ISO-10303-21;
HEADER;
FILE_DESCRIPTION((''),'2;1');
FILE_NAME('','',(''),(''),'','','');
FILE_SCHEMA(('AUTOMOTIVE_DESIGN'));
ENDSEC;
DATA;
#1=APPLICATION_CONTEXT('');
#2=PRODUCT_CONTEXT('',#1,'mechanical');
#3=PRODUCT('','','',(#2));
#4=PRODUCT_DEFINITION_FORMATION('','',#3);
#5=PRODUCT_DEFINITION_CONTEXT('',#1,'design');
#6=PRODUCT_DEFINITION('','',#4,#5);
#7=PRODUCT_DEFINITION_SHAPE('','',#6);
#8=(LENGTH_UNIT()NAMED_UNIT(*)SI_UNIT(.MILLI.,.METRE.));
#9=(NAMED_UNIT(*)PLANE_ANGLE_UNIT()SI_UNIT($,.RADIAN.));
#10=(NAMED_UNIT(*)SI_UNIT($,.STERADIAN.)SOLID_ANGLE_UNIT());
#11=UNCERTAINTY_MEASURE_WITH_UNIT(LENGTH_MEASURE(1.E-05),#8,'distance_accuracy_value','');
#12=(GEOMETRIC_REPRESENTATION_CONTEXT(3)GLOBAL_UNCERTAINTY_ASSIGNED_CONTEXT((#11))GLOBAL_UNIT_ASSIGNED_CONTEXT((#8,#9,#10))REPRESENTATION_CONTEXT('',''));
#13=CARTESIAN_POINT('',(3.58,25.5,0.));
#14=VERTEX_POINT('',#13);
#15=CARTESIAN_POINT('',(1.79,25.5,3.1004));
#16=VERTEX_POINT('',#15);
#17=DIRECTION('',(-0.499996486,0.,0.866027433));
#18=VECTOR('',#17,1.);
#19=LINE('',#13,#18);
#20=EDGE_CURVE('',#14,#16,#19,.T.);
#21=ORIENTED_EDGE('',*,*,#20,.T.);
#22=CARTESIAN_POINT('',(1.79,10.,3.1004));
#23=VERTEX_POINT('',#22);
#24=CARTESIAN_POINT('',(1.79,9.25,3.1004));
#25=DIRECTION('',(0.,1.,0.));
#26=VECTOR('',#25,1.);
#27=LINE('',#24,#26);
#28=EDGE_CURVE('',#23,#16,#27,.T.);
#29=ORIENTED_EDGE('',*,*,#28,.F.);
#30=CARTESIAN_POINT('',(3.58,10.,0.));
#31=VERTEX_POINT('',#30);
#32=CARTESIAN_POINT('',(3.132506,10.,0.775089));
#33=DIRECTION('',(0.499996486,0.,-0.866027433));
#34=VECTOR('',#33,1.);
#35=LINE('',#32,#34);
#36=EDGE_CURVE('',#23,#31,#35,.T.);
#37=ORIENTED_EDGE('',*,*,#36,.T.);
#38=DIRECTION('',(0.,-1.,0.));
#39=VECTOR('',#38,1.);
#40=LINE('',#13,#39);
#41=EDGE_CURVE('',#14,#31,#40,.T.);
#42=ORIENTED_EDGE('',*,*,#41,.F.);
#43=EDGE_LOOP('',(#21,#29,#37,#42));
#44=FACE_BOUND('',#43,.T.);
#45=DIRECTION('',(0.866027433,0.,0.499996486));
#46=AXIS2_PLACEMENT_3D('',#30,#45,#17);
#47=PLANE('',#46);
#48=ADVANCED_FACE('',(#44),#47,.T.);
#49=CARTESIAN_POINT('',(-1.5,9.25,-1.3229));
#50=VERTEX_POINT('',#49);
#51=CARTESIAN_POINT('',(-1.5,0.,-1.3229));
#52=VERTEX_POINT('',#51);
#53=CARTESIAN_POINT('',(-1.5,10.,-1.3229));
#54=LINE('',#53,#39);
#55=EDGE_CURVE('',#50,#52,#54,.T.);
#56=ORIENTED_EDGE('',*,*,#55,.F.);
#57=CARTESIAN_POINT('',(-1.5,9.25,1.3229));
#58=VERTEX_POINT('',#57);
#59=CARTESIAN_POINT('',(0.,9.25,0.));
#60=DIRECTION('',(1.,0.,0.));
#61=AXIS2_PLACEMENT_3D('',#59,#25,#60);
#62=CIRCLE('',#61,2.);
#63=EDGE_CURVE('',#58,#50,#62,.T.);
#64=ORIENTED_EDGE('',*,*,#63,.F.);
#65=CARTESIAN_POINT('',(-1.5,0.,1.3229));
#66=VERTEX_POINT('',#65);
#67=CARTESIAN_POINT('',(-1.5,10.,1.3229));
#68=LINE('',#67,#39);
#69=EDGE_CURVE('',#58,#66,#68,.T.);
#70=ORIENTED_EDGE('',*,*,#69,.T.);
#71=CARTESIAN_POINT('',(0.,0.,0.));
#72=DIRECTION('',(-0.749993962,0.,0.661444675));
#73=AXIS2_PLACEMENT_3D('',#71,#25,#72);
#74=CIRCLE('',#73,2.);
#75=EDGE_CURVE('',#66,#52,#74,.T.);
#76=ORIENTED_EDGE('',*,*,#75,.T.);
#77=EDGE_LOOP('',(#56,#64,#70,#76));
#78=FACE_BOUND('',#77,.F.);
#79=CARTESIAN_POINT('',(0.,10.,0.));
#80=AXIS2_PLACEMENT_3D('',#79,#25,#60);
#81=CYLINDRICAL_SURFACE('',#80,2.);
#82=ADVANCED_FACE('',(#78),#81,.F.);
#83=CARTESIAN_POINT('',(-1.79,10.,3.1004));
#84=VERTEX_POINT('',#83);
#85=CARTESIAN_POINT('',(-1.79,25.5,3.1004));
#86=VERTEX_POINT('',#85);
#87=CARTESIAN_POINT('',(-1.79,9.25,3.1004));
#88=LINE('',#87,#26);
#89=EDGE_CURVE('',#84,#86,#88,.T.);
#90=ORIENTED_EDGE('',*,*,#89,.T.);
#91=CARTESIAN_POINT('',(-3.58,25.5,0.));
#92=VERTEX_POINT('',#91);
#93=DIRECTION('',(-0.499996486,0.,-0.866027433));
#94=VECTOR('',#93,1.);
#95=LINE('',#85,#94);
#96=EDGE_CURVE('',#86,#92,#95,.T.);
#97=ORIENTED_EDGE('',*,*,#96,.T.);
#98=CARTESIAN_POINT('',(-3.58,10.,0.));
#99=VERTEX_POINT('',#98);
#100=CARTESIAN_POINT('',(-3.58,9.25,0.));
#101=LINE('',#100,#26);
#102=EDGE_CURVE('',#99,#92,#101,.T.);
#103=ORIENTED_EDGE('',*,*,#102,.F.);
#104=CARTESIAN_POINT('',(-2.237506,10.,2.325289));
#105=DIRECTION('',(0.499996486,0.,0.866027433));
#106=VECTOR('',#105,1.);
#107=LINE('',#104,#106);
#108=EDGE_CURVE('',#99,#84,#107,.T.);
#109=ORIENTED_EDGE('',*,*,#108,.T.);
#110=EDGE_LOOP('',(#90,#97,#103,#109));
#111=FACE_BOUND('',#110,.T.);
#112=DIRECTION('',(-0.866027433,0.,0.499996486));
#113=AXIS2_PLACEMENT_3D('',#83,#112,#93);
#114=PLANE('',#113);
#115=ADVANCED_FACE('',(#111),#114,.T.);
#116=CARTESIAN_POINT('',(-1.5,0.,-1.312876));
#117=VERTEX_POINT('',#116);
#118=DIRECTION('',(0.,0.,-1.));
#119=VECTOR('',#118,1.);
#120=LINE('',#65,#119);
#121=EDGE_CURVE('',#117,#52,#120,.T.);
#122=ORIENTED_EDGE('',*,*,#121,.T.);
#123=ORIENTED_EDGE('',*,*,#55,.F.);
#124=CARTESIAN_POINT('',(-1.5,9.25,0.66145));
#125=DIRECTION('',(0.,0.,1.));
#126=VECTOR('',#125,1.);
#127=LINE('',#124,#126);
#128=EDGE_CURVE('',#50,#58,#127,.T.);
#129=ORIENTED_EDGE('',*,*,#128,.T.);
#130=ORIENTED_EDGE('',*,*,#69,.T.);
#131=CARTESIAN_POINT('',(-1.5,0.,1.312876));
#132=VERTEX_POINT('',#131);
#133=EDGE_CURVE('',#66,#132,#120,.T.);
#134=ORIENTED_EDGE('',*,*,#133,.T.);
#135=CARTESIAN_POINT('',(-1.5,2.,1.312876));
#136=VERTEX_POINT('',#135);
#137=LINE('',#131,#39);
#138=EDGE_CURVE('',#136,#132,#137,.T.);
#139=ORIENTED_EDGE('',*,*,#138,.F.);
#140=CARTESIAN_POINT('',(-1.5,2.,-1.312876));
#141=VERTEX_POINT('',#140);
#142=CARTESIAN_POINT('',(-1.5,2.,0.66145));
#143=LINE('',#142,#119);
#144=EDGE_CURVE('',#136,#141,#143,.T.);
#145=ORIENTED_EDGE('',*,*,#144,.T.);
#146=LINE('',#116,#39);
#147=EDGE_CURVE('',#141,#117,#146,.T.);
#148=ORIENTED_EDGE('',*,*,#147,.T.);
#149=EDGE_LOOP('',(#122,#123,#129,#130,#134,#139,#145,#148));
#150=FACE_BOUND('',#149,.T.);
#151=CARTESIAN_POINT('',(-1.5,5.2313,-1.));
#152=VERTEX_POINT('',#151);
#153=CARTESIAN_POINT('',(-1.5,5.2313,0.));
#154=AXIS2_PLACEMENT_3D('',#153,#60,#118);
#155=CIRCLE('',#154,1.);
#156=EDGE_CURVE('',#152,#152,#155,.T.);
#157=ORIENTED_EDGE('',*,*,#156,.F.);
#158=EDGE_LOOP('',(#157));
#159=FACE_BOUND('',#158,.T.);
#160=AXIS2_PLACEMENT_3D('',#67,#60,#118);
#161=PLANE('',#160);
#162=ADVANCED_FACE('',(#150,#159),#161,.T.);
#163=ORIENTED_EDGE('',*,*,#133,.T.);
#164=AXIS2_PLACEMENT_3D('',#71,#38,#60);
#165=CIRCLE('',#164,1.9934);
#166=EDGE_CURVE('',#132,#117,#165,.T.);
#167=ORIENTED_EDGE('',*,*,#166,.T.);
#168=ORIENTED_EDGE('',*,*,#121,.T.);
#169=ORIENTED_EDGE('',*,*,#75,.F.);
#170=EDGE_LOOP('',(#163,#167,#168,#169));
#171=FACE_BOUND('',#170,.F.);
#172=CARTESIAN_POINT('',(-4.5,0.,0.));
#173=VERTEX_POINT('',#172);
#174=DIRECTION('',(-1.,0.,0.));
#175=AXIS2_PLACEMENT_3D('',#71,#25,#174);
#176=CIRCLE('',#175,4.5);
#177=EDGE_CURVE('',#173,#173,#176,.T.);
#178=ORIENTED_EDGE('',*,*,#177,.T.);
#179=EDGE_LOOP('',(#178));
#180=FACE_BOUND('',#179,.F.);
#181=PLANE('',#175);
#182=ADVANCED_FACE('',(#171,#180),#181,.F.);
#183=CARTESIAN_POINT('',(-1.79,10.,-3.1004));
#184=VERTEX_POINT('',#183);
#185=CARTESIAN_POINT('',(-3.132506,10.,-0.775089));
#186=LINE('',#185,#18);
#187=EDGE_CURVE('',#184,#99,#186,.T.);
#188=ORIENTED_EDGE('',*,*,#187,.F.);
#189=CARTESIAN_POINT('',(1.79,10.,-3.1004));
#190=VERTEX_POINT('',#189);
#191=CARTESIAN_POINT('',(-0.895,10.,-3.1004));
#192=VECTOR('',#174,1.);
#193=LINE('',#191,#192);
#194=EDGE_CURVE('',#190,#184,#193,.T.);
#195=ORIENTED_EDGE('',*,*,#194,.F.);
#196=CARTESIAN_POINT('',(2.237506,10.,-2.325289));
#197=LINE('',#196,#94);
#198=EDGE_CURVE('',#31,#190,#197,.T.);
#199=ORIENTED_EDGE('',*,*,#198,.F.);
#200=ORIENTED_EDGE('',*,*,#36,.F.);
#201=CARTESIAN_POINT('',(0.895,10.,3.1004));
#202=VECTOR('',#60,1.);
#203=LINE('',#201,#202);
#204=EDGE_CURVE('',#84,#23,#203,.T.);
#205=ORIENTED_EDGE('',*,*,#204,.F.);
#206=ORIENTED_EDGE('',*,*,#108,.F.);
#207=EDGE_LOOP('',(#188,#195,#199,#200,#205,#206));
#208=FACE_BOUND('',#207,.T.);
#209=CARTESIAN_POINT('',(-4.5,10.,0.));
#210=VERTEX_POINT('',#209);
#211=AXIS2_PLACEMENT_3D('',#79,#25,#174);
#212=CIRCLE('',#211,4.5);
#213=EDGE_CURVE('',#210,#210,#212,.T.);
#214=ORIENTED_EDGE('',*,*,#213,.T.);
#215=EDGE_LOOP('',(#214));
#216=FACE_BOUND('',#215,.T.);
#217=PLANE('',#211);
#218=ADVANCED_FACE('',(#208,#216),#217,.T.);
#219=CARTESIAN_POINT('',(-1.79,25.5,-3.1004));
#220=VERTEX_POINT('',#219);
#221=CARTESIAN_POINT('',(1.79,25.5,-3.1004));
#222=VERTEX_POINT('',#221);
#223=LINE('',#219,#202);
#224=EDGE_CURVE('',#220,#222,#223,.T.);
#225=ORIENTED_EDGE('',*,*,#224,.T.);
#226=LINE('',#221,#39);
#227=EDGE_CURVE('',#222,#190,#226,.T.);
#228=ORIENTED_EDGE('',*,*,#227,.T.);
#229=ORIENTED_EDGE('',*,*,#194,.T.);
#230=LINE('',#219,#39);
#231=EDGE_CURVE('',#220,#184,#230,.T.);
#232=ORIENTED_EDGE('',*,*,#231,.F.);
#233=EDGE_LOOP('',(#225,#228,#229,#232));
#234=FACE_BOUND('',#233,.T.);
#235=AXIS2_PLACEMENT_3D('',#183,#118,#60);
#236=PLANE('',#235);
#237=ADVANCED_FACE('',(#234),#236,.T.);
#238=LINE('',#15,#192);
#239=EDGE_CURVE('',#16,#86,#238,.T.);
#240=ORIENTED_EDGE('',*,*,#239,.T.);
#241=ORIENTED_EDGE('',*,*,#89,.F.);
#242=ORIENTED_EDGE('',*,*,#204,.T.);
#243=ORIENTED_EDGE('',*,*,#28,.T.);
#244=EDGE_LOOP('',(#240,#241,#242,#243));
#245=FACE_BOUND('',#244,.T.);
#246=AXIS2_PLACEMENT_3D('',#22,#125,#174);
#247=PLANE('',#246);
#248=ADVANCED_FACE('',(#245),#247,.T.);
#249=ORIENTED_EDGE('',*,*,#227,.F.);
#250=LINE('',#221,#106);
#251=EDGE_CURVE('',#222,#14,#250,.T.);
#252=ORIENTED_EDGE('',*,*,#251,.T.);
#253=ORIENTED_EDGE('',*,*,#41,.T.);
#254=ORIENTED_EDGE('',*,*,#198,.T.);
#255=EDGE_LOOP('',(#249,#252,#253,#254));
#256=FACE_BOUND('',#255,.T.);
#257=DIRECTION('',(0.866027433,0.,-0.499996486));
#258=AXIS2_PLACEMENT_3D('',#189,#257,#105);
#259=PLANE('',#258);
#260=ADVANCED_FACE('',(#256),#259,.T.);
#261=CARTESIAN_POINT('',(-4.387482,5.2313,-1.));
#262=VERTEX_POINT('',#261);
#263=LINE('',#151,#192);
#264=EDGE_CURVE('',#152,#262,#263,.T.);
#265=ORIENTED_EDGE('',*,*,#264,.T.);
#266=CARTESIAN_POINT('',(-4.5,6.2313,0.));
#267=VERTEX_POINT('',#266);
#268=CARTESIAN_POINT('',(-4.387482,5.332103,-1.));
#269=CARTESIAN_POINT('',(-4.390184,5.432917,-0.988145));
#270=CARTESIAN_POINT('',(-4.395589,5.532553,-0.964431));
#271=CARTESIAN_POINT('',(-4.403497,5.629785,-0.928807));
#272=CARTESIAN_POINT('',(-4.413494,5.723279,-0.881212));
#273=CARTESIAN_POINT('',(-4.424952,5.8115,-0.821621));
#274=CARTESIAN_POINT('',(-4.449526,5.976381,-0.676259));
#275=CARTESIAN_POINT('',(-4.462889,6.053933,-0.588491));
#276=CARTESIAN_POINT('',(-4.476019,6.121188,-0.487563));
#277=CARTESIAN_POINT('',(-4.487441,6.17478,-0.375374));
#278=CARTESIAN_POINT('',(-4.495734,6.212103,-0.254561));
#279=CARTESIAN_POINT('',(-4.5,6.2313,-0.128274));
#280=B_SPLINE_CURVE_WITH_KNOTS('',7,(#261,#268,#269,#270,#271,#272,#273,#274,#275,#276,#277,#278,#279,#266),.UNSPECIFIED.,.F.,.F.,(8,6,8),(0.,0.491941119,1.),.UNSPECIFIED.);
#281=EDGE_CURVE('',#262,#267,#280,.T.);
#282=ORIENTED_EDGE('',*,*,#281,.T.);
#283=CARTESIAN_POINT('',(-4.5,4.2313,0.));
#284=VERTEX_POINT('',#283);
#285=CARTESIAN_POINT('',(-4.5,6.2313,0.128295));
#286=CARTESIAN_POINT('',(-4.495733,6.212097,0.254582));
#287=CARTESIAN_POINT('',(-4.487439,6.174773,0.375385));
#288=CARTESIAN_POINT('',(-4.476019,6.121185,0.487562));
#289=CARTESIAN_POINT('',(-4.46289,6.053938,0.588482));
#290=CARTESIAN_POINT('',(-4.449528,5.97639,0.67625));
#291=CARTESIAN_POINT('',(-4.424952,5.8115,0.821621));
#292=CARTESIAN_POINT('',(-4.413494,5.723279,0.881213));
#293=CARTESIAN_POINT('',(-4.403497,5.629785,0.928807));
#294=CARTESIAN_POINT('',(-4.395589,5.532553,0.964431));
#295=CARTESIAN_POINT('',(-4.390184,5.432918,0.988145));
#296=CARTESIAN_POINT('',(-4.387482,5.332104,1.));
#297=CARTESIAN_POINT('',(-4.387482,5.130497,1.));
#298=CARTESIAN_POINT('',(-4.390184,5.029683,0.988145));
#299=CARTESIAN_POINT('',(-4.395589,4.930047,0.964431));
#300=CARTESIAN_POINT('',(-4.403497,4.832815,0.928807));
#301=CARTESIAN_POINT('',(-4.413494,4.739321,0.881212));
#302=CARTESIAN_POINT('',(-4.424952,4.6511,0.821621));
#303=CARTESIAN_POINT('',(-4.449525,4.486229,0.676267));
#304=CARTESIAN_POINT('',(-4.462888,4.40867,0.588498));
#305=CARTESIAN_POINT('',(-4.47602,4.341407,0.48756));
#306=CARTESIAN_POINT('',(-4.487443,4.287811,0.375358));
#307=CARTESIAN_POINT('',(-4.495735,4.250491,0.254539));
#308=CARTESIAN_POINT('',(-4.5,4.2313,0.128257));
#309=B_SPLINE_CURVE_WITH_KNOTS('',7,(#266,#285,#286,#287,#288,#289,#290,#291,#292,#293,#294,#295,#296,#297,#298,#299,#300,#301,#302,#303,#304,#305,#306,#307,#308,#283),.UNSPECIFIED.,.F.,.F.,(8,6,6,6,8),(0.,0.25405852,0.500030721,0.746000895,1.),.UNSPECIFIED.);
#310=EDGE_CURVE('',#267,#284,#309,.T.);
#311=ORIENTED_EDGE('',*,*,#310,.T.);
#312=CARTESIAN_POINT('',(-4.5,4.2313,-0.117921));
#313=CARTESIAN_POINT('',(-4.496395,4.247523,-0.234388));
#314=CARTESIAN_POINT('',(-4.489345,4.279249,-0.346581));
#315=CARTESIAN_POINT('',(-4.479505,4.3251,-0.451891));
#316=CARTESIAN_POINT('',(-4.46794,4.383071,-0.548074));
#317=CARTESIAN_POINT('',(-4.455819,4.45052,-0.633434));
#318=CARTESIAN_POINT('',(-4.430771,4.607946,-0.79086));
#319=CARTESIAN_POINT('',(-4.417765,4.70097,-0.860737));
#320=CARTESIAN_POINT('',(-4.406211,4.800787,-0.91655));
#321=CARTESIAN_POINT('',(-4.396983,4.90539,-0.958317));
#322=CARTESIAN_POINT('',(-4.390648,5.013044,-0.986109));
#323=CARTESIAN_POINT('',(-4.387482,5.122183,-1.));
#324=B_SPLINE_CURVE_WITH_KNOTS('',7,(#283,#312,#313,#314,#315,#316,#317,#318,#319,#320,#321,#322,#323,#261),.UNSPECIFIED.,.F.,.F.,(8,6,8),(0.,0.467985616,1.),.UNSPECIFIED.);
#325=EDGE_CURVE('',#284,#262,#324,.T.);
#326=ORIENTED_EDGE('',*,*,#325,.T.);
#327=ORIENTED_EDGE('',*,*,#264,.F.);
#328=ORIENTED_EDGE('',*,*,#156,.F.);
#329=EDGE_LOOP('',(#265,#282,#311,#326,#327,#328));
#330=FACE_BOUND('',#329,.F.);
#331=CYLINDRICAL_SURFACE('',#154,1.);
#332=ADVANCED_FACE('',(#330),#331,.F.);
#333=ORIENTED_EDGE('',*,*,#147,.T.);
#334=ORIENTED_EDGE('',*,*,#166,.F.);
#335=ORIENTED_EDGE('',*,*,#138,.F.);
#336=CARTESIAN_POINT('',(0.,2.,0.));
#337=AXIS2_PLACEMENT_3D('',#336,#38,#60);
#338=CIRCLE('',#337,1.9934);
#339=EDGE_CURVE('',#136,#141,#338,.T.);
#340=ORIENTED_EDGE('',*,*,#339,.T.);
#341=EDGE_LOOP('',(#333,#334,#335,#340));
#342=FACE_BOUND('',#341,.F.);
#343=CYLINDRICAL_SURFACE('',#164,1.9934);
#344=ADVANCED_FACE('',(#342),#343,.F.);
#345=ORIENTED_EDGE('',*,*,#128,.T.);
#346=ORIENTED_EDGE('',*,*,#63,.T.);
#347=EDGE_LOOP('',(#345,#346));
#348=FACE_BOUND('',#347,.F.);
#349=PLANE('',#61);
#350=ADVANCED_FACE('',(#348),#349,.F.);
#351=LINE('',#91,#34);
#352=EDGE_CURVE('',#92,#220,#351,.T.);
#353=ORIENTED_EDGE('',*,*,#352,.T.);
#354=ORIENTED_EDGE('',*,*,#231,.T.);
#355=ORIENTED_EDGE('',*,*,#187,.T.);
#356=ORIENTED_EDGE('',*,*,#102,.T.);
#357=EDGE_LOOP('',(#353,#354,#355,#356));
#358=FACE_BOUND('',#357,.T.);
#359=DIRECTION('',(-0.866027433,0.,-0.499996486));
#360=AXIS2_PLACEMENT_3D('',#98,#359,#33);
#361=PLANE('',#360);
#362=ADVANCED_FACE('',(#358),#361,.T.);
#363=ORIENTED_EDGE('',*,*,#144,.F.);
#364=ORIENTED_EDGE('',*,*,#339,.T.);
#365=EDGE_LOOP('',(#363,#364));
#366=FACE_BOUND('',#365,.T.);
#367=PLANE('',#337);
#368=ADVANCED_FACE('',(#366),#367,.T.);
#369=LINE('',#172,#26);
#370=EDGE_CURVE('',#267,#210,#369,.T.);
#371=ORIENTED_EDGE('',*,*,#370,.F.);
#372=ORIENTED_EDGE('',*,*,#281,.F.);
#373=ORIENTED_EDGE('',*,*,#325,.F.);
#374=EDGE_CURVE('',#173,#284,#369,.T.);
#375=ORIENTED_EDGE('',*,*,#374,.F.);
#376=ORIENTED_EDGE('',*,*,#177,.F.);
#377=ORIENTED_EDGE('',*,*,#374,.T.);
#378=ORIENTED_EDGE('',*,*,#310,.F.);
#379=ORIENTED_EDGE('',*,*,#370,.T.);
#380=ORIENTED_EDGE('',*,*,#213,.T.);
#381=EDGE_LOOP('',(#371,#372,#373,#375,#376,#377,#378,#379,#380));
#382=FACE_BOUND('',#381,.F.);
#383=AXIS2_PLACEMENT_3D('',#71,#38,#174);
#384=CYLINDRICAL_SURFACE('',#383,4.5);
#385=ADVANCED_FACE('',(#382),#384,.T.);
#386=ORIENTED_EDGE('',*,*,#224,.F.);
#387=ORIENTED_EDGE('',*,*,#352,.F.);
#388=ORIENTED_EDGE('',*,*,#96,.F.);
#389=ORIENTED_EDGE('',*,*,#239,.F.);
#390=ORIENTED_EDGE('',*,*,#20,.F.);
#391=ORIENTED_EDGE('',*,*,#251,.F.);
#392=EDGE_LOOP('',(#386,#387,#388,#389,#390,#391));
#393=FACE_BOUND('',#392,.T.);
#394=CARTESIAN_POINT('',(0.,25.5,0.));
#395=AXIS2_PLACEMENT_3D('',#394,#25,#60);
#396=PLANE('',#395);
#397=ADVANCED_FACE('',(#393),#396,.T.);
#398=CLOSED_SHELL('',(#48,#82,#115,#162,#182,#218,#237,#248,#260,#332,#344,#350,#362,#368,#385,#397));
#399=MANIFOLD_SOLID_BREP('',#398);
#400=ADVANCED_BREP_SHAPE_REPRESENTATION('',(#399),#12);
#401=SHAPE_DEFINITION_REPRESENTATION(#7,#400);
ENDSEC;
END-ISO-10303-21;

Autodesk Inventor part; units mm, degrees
ref_plane "YZ Plane" through (0, 0, 0) normal (1, 0, 0) x (0, 1, 0)
ref_plane "XZ Plane" through (0, 0, 0) normal (0, 1, 0) x (-1, 0, 0)
ref_plane "XY Plane" through (0, 0, 0) normal (0, 0, 1) x (1, 0, 0)
sketch "Sketch4" plane through (0, 0, 0) normal (0, 1, 0) x (-1, 0, 0)
  circle A0 centre (0, 0) radius 4.5
  dimension "d6" = 9
extrude "Extrusion2" add sketch "Sketch4" along normal blind 10
sketch "Sketch5" plane through (0, 10, 0) normal (0, 1, 0) x (1, 0, 0)
  circle A0 centre (0, 0) radius 2
  line L0 (-1.5, -1.3229) -> (-1.5, 1.3229)
  dimension "d9" = 4
  dimension "d10" = 3.5
extrude "Extrusion3" cut sketch "Sketch5" against normal blind 10 contours A0 L0 picked at (-0.1695, 0.3101)
sketch "Sketch6" plane through (0, 0, 0) normal (0, -1, 0) x (1, 0, 0)
  circle A0 centre (0, 0) radius 1.9934
extrude "Extrusion4" cut sketch "Sketch6" against normal blind 2
sketch "Sketch7" plane through (0, 10, 0) normal (0, 1, 0) x (1, 0, 0)
  line L0 (-3.58, 0) -> (-1.79, 3.1004)
  line L1 (-1.79, 3.1004) -> (1.79, 3.1004)
  line L2 (1.79, 3.1004) -> (3.58, 0)
  line L3 (3.58, 0) -> (1.79, -3.1004)
  line L4 (1.79, -3.1004) -> (-1.79, -3.1004)
  line L5 (-1.79, -3.1004) -> (-3.58, 0)
  point P0 (0, 0)
  point P1 (0, 0)
  dimension "d15" = 7.16
extrude "Extrusion5" add sketch "Sketch7" along normal blind 15.5 and the other way blind 0.75
sketch "Sketch14" plane through (-1.5, 0, 1.3129) normal (1, 0, 0) x (0, 0, -1)
  circle A0 centre (1.3129, 5.2313) radius 1
  point P0 (1.3129, 0)
  dimension "d38" = 2
extrude "Extrusion10" cut sketch "Sketch14" against normal blind 4
sketch "Sketch9" plane through (-1.5, 0, 1.3129) normal (1, 0, 0) x (0, 0, -1)
  circle A0 centre (1.3129, 5.7735) radius 1
  point P0 (1.3129, 0)
  dimension "d21" = 2
sketch "Sketch10" plane through (-3.75, 5.7735, 0) normal (-1, 0, 0) x (0, 0, 1)
  point P0 (0, -5.7735)
  point P1 (-0.001, 0.0019)
sketch "Sketch1" plane through (0, 0, 0) normal (0, 1, 0) x (-1, 0, 0)
  circle A0 centre (0, 0) radius 12.5
  dimension "d0" = 25
  dimension "d3" = 4
  dimension "d4" = 7
  dimension "d5" = 3.5
properties part number "As JGA To Mecanum_3DPrint"
